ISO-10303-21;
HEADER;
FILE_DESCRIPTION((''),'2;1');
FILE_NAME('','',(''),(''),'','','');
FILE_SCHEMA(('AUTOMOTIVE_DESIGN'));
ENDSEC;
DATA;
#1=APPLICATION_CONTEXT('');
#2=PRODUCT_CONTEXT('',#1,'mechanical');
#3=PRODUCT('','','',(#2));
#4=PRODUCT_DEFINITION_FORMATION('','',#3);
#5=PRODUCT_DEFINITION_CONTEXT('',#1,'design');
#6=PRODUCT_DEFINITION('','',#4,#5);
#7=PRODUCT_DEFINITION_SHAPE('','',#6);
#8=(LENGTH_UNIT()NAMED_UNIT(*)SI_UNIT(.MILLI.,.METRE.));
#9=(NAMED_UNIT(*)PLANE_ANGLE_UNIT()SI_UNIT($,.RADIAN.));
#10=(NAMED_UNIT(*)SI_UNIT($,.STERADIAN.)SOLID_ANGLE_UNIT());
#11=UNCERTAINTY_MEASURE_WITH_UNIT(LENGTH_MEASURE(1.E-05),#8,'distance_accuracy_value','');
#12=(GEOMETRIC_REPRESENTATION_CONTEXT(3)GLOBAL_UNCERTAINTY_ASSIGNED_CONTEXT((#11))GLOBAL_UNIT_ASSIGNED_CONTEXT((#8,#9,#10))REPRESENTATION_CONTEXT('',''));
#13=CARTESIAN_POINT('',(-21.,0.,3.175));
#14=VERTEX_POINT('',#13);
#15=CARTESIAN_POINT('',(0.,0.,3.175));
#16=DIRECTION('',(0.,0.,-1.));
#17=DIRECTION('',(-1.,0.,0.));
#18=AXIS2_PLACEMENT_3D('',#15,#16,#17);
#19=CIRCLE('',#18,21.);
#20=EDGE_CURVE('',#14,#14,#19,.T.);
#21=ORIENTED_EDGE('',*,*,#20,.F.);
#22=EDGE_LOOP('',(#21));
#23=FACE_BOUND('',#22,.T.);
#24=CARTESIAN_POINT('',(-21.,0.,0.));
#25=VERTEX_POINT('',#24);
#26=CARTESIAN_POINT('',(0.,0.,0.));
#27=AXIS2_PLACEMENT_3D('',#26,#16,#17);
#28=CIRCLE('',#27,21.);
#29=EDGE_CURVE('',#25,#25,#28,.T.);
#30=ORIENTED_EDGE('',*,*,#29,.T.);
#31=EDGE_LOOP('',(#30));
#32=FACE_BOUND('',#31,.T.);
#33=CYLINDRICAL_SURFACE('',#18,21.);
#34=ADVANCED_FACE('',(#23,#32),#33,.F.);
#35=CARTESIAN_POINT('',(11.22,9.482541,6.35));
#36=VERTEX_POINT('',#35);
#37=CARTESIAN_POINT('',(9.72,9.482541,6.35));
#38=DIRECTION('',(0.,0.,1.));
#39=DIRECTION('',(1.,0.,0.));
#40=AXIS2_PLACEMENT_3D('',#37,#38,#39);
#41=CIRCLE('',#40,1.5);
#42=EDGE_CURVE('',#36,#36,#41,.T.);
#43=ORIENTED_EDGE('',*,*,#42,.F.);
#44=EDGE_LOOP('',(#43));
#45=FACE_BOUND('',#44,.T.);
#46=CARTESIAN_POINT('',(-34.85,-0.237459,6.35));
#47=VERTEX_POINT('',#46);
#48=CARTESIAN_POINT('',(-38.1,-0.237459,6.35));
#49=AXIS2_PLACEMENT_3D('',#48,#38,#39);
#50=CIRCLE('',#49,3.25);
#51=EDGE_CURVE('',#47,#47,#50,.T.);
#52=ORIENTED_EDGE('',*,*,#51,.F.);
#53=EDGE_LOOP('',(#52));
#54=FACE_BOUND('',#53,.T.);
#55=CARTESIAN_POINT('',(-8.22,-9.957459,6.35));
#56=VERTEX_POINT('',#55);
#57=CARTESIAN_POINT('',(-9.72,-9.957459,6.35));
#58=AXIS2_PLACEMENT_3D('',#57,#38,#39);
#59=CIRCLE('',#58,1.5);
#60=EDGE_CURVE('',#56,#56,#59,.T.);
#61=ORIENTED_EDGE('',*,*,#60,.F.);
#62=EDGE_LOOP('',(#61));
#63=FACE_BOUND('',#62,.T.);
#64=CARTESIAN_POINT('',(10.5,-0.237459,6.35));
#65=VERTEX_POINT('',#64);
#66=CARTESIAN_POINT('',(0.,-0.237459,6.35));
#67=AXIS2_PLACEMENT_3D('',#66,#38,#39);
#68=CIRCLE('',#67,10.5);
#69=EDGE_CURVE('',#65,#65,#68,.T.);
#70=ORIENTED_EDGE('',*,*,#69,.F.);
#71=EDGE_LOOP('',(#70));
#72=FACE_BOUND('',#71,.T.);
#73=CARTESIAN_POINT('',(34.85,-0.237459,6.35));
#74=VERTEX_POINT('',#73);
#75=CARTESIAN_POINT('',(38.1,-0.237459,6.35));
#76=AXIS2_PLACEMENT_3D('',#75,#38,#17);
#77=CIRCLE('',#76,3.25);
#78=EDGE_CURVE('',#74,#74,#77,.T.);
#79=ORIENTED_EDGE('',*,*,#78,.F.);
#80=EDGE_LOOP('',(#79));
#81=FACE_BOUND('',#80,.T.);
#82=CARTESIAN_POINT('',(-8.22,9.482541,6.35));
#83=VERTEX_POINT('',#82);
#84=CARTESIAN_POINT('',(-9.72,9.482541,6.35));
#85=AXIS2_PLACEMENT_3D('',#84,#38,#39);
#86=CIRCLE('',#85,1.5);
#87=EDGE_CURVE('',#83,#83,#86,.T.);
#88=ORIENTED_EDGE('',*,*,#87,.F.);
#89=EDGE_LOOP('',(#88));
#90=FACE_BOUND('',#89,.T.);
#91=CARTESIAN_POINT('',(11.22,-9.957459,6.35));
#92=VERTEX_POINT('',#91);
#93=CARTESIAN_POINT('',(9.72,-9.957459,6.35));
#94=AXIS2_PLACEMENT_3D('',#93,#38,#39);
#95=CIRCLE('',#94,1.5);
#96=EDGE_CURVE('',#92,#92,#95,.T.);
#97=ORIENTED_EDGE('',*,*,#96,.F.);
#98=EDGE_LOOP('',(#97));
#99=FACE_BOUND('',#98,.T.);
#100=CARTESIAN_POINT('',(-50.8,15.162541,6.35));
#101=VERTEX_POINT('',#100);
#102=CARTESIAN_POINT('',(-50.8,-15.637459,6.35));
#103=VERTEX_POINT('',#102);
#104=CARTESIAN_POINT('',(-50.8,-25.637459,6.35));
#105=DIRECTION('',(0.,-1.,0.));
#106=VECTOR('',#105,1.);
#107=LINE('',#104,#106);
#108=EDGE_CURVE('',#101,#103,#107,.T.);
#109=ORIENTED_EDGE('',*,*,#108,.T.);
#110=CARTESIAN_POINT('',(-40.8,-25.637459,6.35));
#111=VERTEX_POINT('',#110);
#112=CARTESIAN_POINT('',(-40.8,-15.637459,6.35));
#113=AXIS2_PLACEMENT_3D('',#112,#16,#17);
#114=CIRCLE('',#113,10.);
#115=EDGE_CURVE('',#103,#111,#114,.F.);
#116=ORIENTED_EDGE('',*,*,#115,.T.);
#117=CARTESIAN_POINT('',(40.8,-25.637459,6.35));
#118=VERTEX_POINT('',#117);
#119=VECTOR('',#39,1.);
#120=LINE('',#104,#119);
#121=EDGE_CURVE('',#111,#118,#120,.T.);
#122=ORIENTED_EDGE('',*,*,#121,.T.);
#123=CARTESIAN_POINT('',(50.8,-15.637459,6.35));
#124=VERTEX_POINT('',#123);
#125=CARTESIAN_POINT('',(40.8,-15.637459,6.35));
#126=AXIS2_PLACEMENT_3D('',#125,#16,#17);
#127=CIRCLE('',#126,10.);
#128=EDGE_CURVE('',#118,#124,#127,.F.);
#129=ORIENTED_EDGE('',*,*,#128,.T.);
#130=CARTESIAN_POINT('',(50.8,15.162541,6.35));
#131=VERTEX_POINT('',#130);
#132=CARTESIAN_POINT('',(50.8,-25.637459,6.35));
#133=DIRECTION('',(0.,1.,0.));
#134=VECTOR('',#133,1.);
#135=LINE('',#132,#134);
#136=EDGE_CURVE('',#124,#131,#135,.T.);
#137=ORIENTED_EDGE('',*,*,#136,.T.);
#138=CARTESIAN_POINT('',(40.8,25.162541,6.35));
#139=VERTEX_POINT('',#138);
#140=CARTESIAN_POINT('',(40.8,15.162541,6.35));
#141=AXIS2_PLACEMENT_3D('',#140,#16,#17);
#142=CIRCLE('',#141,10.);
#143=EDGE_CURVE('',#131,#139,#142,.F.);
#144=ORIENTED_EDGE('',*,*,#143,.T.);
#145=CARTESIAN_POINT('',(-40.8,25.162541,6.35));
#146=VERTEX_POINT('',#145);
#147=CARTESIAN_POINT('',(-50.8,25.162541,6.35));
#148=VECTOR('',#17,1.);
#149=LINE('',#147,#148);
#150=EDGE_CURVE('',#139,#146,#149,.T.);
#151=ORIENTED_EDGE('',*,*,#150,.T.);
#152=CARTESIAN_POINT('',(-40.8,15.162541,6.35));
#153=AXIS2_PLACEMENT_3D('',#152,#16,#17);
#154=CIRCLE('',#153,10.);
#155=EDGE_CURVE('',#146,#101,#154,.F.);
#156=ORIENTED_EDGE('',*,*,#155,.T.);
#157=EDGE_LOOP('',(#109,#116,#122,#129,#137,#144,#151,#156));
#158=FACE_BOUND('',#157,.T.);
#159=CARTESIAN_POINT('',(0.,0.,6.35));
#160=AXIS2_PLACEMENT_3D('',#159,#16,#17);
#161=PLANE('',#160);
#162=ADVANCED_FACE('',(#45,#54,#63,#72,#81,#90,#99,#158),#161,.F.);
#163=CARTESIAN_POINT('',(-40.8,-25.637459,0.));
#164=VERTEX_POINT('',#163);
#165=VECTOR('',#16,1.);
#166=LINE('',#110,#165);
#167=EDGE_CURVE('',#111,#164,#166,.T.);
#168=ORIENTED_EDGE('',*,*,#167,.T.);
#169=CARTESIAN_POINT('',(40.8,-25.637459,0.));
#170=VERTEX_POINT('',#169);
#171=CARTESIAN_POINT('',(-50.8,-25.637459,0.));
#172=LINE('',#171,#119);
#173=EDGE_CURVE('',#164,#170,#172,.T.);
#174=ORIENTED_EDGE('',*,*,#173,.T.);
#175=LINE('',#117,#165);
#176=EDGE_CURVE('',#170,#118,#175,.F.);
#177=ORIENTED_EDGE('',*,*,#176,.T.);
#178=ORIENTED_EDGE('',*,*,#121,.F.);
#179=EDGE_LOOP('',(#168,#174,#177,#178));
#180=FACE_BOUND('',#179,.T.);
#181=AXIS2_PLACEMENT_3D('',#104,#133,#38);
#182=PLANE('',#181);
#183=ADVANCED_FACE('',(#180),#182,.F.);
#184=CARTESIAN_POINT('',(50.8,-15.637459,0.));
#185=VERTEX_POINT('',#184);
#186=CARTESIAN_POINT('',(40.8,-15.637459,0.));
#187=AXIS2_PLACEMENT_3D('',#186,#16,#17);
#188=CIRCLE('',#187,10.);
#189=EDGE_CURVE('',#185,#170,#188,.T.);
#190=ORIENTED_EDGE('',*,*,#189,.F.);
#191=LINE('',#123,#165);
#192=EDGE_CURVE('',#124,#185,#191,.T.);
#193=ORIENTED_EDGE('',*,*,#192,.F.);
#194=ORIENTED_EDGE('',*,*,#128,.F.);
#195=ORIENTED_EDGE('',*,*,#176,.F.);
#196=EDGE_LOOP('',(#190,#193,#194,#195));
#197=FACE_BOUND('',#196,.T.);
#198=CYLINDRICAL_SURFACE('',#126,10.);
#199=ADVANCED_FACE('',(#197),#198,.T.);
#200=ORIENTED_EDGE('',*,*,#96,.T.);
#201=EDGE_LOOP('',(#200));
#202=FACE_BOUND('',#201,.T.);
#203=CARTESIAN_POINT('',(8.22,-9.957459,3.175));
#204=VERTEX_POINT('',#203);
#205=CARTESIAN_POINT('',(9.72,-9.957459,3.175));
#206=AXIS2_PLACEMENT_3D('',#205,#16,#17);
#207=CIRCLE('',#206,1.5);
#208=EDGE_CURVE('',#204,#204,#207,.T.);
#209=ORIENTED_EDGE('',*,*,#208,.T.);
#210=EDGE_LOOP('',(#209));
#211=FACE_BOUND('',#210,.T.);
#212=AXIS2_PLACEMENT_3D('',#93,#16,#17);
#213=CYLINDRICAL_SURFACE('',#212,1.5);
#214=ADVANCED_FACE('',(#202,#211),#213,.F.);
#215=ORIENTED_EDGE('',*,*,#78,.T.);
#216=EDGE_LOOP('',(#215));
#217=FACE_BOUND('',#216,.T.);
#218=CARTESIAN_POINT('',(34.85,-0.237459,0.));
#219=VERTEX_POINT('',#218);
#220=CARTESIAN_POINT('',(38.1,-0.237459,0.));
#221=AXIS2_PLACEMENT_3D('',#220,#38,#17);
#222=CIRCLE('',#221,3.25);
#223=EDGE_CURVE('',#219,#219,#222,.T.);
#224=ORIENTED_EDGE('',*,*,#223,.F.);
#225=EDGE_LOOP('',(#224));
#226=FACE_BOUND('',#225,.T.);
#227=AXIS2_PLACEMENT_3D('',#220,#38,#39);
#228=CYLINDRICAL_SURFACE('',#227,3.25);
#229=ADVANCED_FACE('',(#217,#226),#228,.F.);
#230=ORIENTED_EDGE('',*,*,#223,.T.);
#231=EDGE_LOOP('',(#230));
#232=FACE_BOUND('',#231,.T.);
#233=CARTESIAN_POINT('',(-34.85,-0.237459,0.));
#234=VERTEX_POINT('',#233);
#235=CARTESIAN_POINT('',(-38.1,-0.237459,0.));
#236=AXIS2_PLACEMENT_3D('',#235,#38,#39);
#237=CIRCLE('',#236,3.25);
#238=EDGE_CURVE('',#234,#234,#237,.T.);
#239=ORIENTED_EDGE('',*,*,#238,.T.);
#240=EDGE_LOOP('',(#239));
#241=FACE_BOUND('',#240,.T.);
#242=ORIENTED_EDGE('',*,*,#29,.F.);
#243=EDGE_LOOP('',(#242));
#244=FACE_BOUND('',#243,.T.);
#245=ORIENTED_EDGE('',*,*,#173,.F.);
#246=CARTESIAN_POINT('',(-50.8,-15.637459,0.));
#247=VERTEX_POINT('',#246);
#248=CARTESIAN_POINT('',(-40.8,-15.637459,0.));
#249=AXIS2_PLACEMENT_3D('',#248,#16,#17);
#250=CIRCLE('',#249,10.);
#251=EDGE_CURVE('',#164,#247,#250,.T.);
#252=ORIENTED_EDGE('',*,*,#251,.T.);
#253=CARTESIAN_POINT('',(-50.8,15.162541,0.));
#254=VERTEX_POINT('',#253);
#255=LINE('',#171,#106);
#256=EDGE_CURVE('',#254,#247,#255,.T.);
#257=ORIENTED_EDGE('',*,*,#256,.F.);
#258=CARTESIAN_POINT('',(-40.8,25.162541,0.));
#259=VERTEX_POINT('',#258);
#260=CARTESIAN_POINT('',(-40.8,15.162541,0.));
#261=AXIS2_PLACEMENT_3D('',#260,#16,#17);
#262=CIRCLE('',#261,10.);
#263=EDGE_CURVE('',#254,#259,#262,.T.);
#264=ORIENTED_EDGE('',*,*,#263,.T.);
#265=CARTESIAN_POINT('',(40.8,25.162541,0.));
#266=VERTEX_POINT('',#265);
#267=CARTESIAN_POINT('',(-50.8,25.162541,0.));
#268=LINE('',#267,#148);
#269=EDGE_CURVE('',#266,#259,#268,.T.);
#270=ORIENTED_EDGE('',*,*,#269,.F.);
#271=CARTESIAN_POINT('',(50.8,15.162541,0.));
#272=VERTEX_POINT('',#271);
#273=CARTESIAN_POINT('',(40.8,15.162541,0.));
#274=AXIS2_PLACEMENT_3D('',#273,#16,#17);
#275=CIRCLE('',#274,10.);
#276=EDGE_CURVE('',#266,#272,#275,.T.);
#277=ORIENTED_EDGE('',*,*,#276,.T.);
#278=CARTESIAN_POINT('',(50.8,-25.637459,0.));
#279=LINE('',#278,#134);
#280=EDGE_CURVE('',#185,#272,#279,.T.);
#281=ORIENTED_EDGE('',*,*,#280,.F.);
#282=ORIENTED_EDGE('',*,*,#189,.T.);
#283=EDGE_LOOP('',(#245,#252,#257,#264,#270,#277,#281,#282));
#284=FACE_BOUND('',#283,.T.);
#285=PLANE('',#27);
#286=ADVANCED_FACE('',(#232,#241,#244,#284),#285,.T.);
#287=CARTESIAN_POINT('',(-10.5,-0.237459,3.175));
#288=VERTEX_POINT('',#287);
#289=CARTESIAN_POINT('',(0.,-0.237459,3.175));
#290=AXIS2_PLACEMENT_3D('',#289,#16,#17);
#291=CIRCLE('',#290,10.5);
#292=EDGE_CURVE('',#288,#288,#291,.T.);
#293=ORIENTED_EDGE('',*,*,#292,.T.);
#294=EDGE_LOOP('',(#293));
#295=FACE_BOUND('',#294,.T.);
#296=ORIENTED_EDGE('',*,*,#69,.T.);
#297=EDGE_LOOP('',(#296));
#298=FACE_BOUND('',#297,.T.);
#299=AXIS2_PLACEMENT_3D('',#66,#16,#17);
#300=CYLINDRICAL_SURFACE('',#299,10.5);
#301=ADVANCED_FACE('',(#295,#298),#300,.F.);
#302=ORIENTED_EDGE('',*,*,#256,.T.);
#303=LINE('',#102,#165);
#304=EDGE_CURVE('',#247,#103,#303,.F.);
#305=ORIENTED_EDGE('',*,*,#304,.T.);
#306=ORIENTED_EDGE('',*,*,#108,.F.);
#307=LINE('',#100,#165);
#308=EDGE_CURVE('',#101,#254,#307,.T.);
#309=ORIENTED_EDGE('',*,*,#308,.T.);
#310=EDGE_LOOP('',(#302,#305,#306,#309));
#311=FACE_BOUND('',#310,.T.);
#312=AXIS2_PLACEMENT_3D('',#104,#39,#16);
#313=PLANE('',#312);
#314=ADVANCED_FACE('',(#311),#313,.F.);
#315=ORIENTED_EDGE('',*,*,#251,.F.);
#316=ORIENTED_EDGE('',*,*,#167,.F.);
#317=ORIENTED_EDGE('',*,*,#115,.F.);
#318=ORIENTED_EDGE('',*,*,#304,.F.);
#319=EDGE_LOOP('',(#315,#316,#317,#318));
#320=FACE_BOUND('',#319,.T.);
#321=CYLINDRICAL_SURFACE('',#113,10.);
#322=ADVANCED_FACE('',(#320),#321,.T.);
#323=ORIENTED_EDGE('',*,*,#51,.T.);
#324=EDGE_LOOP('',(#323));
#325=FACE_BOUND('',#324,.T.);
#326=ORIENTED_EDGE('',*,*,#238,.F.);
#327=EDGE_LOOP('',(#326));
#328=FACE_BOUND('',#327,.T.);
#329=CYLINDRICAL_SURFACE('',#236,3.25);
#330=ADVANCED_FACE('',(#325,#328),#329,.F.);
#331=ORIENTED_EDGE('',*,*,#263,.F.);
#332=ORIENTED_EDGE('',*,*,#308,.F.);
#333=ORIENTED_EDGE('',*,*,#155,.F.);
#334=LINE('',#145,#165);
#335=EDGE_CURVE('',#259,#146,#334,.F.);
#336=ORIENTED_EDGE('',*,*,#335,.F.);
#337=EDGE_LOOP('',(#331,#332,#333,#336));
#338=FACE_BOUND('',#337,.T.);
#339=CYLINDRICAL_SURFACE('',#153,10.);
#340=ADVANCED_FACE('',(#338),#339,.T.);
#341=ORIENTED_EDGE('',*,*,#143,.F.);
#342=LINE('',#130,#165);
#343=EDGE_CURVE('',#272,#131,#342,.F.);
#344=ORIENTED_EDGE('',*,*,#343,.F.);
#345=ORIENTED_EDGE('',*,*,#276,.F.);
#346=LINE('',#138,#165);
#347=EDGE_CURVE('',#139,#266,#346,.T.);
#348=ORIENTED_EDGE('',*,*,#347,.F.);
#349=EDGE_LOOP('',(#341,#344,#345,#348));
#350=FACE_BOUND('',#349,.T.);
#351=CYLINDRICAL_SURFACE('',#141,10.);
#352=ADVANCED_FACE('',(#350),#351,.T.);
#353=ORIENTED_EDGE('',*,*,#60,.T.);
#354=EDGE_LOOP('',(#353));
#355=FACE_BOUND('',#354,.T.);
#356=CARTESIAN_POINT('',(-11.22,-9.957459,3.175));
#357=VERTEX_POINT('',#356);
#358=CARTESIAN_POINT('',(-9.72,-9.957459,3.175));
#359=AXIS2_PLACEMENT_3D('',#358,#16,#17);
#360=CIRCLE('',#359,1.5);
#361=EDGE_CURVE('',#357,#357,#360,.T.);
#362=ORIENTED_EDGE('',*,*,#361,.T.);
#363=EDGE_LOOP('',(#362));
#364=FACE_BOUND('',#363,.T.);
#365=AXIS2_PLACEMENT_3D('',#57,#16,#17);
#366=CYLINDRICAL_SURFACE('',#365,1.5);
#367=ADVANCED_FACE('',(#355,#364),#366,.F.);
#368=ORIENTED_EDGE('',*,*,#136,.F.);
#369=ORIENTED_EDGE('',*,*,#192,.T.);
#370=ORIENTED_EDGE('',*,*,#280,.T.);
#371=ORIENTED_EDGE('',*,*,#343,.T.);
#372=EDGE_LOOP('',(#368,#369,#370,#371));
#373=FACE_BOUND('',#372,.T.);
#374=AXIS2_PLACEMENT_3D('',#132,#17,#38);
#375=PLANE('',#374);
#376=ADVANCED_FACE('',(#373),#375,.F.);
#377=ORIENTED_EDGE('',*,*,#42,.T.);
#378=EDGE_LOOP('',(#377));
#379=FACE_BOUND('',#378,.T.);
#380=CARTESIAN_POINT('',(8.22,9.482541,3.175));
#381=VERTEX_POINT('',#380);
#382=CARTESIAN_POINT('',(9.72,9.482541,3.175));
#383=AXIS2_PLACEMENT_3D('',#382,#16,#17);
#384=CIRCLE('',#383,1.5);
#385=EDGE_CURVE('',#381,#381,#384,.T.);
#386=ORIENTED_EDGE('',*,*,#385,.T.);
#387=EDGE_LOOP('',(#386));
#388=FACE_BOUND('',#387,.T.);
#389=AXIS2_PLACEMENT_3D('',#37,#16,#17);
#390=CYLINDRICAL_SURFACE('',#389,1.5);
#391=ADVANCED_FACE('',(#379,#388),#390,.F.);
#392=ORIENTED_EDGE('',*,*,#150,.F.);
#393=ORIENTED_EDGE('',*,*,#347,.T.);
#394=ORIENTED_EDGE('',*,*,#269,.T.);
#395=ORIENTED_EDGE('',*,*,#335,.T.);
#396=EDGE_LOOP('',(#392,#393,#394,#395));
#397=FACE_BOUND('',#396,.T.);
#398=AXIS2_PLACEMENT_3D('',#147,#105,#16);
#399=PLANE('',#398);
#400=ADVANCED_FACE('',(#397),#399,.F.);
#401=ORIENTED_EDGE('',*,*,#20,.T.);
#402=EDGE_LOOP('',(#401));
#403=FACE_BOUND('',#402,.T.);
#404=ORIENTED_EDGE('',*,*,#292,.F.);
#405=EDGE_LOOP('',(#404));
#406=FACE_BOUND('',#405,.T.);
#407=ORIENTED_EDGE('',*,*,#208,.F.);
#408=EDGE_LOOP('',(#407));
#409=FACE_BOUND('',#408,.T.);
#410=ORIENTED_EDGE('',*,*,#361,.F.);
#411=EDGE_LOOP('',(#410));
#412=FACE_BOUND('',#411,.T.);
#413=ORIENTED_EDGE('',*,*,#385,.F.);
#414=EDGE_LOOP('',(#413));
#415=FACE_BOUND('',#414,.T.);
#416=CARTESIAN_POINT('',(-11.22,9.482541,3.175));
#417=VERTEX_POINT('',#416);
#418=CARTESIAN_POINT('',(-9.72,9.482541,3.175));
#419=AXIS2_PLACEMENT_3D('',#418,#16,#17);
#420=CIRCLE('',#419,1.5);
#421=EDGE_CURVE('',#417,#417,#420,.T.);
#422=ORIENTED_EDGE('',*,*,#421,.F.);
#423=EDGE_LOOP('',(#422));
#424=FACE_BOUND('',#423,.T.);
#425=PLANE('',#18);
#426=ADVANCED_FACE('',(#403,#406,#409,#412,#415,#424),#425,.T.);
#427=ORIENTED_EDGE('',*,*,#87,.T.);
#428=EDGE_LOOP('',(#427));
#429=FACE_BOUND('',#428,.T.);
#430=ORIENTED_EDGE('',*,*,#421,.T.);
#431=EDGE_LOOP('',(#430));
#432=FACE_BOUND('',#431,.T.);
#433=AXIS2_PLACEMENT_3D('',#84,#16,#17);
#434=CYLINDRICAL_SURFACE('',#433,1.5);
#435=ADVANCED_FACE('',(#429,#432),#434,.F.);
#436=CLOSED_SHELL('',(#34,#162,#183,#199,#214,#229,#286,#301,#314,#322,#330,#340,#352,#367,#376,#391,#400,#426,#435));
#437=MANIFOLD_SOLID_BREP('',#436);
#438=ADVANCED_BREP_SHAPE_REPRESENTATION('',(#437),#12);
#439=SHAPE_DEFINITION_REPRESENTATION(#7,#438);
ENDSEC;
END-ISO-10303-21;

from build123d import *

# Parameters (mm, degrees)
SKETCH1_W           = 101.6
SKETCH1_H           = 50.8
SKETCH1_R           = 10.5
SKETCH1_R_2         = 1.5
BOSS_EXTRUDE1_DEPTH = 6.35
SKETCH2_R           = 21
CUT_EXTRUDE1_DEPTH  = 3.175
SKETCH3_R           = 3.25
CUT_EXTRUDE2_DEPTH  = 7.35
FILLET1_R           = 10


with BuildPart() as part:
    # Sketch1 → Boss-Extrude1 (new body)
    with BuildSketch(Plane.XY):
        with Locations((0, -0.237458689)):
            Rectangle(SKETCH1_W, SKETCH1_H)
        with Locations((0, -0.237458689)):
            Circle(SKETCH1_R, mode=Mode.SUBTRACT)
        with Locations((-9.72, 9.482541311)):
            Circle(SKETCH1_R_2, mode=Mode.SUBTRACT)
        with Locations((9.72, 9.482541311)):
            Circle(SKETCH1_R_2, mode=Mode.SUBTRACT)
        with Locations((9.72, -9.957458689)):
            Circle(SKETCH1_R_2, mode=Mode.SUBTRACT)
        with Locations((-9.72, -9.957458689)):
            Circle(SKETCH1_R_2, mode=Mode.SUBTRACT)
    extrude(amount=BOSS_EXTRUDE1_DEPTH)

    # Sketch2 → Cut-Extrude1 (cut)
    with BuildSketch(Plane(origin=(0, 0, 0), x_dir=(-1, 0, 0), z_dir=(0, 0, -1))):
        Circle(SKETCH2_R)
    extrude(amount=-CUT_EXTRUDE1_DEPTH, mode=Mode.SUBTRACT)

    # Sketch3 → Cut-Extrude2 (cut, through all)
    with BuildSketch(Plane.XY.offset(6.35)):
        with Locations((-38.1, -0.237458689)):
            Circle(SKETCH3_R)
        with Locations((38.1, -0.237458689)):
            Circle(SKETCH3_R)
    extrude(amount=-CUT_EXTRUDE2_DEPTH, mode=Mode.SUBTRACT)

    # Fillet1
    fillet1_edges = [part.edges().sort_by_distance(p)[0] for p in [
        (50.8, -25.637458689, 3.175),
        (-50.8, -25.637458689, 3.175),
        (-50.8, 25.162541311, 3.175),
        (50.8, 25.162541311, 3.175),
    ]]
    fillet(fillet1_edges, radius=FILLET1_R)


solid = part.part
